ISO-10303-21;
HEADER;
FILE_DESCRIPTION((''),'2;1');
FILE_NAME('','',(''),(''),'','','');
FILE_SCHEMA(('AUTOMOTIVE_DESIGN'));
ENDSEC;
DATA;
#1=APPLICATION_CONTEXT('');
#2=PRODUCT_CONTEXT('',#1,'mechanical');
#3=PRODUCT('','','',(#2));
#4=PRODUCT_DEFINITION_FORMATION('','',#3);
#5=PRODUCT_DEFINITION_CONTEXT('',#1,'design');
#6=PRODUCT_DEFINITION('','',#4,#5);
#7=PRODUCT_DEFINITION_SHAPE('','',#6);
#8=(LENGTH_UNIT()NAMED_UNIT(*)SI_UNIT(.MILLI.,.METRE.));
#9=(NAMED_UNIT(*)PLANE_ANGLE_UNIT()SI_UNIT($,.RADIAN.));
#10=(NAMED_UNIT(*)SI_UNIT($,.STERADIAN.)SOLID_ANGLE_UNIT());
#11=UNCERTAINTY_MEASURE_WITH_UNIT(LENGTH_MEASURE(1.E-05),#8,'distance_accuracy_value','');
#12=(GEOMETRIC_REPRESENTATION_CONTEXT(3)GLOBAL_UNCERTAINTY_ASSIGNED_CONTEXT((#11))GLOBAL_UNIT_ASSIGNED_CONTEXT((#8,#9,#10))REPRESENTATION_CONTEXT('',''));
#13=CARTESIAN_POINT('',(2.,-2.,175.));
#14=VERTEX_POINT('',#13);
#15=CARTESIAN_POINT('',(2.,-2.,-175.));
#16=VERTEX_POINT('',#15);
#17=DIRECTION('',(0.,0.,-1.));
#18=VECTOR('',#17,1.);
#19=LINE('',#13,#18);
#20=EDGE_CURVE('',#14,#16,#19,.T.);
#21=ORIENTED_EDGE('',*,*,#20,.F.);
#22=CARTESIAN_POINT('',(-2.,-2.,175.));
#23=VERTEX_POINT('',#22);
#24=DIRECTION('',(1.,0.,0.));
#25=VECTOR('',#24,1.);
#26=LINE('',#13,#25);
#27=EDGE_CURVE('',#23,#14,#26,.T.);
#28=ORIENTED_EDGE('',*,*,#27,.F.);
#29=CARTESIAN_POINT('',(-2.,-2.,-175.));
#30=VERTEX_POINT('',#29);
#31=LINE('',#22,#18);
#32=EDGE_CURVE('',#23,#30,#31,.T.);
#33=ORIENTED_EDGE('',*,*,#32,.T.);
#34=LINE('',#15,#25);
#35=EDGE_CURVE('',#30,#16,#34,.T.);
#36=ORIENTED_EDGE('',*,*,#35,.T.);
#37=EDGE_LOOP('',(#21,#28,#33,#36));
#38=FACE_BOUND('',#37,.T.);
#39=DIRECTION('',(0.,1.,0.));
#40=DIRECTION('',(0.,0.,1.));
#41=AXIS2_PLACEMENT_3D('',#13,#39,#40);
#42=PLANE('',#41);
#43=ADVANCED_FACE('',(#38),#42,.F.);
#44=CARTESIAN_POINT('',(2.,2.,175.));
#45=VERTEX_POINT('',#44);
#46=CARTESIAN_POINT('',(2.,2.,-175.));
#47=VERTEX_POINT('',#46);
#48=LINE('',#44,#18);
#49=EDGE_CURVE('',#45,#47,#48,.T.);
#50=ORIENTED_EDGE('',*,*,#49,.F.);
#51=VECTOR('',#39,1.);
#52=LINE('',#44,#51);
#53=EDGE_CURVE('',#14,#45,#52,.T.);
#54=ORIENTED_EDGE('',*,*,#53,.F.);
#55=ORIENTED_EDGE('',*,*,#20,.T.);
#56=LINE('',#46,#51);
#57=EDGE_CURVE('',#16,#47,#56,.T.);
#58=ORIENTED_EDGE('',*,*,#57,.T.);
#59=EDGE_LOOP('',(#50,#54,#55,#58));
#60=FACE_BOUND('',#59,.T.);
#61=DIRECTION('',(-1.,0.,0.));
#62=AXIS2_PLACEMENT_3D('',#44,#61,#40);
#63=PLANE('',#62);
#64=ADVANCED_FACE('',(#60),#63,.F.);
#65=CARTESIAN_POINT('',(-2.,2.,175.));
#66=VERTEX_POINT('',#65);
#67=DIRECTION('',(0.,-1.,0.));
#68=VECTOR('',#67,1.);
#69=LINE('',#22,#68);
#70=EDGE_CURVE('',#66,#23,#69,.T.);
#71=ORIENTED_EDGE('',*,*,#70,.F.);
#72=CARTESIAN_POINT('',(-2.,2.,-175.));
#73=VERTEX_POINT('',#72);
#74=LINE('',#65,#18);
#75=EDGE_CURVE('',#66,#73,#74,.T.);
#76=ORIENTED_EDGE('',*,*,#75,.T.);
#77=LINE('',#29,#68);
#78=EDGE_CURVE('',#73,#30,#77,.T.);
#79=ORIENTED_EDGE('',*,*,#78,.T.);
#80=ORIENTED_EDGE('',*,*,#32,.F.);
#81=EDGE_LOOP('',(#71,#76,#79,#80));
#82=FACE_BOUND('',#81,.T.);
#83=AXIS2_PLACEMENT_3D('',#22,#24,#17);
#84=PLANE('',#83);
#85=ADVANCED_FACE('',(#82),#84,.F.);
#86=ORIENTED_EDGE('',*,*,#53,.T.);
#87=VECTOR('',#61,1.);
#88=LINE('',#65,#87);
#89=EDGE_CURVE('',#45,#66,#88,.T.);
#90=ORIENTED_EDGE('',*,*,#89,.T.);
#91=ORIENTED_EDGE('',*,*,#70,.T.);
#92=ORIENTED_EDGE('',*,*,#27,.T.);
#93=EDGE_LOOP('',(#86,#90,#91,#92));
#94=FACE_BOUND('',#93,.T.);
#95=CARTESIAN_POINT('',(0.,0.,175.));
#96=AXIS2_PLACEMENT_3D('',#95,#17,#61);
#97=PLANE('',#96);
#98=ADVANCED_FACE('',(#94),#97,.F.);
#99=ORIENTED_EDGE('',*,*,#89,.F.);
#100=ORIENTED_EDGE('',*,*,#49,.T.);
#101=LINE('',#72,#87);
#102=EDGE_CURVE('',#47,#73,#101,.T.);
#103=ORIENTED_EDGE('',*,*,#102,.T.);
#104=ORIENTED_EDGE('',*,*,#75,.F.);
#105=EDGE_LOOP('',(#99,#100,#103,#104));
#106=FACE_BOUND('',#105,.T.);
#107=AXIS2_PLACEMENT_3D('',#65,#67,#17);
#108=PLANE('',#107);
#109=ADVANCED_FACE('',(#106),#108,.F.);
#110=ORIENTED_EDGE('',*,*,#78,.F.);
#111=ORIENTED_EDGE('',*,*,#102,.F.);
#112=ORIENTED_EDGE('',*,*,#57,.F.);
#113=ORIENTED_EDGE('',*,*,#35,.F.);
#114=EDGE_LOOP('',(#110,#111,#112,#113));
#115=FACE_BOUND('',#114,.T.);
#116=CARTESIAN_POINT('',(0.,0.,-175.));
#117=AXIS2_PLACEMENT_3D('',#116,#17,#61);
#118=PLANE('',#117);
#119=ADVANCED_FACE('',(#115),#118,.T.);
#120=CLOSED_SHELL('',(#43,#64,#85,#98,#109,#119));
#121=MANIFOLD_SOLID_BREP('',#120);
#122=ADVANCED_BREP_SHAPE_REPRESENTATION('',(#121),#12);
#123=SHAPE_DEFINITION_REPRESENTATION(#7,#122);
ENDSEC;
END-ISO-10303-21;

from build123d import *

# Parameters (mm, degrees)
SKETCH3_W                = 4
SKETCH3_H                = 4
BOSS_EXTRUDE1_DEPTH      = 175
BOSS_EXTRUDE1_DEPTH_BACK = 175


with BuildPart() as part:
    # Sketch3 → Boss-Extrude1 (new body, two sides)
    with BuildSketch(Plane.XY) as boss_extrude1_sk:
        Rectangle(SKETCH3_W, SKETCH3_H)
    extrude(amount=BOSS_EXTRUDE1_DEPTH)
    extrude(boss_extrude1_sk.sketch, amount=-BOSS_EXTRUDE1_DEPTH_BACK)


solid = part.part
